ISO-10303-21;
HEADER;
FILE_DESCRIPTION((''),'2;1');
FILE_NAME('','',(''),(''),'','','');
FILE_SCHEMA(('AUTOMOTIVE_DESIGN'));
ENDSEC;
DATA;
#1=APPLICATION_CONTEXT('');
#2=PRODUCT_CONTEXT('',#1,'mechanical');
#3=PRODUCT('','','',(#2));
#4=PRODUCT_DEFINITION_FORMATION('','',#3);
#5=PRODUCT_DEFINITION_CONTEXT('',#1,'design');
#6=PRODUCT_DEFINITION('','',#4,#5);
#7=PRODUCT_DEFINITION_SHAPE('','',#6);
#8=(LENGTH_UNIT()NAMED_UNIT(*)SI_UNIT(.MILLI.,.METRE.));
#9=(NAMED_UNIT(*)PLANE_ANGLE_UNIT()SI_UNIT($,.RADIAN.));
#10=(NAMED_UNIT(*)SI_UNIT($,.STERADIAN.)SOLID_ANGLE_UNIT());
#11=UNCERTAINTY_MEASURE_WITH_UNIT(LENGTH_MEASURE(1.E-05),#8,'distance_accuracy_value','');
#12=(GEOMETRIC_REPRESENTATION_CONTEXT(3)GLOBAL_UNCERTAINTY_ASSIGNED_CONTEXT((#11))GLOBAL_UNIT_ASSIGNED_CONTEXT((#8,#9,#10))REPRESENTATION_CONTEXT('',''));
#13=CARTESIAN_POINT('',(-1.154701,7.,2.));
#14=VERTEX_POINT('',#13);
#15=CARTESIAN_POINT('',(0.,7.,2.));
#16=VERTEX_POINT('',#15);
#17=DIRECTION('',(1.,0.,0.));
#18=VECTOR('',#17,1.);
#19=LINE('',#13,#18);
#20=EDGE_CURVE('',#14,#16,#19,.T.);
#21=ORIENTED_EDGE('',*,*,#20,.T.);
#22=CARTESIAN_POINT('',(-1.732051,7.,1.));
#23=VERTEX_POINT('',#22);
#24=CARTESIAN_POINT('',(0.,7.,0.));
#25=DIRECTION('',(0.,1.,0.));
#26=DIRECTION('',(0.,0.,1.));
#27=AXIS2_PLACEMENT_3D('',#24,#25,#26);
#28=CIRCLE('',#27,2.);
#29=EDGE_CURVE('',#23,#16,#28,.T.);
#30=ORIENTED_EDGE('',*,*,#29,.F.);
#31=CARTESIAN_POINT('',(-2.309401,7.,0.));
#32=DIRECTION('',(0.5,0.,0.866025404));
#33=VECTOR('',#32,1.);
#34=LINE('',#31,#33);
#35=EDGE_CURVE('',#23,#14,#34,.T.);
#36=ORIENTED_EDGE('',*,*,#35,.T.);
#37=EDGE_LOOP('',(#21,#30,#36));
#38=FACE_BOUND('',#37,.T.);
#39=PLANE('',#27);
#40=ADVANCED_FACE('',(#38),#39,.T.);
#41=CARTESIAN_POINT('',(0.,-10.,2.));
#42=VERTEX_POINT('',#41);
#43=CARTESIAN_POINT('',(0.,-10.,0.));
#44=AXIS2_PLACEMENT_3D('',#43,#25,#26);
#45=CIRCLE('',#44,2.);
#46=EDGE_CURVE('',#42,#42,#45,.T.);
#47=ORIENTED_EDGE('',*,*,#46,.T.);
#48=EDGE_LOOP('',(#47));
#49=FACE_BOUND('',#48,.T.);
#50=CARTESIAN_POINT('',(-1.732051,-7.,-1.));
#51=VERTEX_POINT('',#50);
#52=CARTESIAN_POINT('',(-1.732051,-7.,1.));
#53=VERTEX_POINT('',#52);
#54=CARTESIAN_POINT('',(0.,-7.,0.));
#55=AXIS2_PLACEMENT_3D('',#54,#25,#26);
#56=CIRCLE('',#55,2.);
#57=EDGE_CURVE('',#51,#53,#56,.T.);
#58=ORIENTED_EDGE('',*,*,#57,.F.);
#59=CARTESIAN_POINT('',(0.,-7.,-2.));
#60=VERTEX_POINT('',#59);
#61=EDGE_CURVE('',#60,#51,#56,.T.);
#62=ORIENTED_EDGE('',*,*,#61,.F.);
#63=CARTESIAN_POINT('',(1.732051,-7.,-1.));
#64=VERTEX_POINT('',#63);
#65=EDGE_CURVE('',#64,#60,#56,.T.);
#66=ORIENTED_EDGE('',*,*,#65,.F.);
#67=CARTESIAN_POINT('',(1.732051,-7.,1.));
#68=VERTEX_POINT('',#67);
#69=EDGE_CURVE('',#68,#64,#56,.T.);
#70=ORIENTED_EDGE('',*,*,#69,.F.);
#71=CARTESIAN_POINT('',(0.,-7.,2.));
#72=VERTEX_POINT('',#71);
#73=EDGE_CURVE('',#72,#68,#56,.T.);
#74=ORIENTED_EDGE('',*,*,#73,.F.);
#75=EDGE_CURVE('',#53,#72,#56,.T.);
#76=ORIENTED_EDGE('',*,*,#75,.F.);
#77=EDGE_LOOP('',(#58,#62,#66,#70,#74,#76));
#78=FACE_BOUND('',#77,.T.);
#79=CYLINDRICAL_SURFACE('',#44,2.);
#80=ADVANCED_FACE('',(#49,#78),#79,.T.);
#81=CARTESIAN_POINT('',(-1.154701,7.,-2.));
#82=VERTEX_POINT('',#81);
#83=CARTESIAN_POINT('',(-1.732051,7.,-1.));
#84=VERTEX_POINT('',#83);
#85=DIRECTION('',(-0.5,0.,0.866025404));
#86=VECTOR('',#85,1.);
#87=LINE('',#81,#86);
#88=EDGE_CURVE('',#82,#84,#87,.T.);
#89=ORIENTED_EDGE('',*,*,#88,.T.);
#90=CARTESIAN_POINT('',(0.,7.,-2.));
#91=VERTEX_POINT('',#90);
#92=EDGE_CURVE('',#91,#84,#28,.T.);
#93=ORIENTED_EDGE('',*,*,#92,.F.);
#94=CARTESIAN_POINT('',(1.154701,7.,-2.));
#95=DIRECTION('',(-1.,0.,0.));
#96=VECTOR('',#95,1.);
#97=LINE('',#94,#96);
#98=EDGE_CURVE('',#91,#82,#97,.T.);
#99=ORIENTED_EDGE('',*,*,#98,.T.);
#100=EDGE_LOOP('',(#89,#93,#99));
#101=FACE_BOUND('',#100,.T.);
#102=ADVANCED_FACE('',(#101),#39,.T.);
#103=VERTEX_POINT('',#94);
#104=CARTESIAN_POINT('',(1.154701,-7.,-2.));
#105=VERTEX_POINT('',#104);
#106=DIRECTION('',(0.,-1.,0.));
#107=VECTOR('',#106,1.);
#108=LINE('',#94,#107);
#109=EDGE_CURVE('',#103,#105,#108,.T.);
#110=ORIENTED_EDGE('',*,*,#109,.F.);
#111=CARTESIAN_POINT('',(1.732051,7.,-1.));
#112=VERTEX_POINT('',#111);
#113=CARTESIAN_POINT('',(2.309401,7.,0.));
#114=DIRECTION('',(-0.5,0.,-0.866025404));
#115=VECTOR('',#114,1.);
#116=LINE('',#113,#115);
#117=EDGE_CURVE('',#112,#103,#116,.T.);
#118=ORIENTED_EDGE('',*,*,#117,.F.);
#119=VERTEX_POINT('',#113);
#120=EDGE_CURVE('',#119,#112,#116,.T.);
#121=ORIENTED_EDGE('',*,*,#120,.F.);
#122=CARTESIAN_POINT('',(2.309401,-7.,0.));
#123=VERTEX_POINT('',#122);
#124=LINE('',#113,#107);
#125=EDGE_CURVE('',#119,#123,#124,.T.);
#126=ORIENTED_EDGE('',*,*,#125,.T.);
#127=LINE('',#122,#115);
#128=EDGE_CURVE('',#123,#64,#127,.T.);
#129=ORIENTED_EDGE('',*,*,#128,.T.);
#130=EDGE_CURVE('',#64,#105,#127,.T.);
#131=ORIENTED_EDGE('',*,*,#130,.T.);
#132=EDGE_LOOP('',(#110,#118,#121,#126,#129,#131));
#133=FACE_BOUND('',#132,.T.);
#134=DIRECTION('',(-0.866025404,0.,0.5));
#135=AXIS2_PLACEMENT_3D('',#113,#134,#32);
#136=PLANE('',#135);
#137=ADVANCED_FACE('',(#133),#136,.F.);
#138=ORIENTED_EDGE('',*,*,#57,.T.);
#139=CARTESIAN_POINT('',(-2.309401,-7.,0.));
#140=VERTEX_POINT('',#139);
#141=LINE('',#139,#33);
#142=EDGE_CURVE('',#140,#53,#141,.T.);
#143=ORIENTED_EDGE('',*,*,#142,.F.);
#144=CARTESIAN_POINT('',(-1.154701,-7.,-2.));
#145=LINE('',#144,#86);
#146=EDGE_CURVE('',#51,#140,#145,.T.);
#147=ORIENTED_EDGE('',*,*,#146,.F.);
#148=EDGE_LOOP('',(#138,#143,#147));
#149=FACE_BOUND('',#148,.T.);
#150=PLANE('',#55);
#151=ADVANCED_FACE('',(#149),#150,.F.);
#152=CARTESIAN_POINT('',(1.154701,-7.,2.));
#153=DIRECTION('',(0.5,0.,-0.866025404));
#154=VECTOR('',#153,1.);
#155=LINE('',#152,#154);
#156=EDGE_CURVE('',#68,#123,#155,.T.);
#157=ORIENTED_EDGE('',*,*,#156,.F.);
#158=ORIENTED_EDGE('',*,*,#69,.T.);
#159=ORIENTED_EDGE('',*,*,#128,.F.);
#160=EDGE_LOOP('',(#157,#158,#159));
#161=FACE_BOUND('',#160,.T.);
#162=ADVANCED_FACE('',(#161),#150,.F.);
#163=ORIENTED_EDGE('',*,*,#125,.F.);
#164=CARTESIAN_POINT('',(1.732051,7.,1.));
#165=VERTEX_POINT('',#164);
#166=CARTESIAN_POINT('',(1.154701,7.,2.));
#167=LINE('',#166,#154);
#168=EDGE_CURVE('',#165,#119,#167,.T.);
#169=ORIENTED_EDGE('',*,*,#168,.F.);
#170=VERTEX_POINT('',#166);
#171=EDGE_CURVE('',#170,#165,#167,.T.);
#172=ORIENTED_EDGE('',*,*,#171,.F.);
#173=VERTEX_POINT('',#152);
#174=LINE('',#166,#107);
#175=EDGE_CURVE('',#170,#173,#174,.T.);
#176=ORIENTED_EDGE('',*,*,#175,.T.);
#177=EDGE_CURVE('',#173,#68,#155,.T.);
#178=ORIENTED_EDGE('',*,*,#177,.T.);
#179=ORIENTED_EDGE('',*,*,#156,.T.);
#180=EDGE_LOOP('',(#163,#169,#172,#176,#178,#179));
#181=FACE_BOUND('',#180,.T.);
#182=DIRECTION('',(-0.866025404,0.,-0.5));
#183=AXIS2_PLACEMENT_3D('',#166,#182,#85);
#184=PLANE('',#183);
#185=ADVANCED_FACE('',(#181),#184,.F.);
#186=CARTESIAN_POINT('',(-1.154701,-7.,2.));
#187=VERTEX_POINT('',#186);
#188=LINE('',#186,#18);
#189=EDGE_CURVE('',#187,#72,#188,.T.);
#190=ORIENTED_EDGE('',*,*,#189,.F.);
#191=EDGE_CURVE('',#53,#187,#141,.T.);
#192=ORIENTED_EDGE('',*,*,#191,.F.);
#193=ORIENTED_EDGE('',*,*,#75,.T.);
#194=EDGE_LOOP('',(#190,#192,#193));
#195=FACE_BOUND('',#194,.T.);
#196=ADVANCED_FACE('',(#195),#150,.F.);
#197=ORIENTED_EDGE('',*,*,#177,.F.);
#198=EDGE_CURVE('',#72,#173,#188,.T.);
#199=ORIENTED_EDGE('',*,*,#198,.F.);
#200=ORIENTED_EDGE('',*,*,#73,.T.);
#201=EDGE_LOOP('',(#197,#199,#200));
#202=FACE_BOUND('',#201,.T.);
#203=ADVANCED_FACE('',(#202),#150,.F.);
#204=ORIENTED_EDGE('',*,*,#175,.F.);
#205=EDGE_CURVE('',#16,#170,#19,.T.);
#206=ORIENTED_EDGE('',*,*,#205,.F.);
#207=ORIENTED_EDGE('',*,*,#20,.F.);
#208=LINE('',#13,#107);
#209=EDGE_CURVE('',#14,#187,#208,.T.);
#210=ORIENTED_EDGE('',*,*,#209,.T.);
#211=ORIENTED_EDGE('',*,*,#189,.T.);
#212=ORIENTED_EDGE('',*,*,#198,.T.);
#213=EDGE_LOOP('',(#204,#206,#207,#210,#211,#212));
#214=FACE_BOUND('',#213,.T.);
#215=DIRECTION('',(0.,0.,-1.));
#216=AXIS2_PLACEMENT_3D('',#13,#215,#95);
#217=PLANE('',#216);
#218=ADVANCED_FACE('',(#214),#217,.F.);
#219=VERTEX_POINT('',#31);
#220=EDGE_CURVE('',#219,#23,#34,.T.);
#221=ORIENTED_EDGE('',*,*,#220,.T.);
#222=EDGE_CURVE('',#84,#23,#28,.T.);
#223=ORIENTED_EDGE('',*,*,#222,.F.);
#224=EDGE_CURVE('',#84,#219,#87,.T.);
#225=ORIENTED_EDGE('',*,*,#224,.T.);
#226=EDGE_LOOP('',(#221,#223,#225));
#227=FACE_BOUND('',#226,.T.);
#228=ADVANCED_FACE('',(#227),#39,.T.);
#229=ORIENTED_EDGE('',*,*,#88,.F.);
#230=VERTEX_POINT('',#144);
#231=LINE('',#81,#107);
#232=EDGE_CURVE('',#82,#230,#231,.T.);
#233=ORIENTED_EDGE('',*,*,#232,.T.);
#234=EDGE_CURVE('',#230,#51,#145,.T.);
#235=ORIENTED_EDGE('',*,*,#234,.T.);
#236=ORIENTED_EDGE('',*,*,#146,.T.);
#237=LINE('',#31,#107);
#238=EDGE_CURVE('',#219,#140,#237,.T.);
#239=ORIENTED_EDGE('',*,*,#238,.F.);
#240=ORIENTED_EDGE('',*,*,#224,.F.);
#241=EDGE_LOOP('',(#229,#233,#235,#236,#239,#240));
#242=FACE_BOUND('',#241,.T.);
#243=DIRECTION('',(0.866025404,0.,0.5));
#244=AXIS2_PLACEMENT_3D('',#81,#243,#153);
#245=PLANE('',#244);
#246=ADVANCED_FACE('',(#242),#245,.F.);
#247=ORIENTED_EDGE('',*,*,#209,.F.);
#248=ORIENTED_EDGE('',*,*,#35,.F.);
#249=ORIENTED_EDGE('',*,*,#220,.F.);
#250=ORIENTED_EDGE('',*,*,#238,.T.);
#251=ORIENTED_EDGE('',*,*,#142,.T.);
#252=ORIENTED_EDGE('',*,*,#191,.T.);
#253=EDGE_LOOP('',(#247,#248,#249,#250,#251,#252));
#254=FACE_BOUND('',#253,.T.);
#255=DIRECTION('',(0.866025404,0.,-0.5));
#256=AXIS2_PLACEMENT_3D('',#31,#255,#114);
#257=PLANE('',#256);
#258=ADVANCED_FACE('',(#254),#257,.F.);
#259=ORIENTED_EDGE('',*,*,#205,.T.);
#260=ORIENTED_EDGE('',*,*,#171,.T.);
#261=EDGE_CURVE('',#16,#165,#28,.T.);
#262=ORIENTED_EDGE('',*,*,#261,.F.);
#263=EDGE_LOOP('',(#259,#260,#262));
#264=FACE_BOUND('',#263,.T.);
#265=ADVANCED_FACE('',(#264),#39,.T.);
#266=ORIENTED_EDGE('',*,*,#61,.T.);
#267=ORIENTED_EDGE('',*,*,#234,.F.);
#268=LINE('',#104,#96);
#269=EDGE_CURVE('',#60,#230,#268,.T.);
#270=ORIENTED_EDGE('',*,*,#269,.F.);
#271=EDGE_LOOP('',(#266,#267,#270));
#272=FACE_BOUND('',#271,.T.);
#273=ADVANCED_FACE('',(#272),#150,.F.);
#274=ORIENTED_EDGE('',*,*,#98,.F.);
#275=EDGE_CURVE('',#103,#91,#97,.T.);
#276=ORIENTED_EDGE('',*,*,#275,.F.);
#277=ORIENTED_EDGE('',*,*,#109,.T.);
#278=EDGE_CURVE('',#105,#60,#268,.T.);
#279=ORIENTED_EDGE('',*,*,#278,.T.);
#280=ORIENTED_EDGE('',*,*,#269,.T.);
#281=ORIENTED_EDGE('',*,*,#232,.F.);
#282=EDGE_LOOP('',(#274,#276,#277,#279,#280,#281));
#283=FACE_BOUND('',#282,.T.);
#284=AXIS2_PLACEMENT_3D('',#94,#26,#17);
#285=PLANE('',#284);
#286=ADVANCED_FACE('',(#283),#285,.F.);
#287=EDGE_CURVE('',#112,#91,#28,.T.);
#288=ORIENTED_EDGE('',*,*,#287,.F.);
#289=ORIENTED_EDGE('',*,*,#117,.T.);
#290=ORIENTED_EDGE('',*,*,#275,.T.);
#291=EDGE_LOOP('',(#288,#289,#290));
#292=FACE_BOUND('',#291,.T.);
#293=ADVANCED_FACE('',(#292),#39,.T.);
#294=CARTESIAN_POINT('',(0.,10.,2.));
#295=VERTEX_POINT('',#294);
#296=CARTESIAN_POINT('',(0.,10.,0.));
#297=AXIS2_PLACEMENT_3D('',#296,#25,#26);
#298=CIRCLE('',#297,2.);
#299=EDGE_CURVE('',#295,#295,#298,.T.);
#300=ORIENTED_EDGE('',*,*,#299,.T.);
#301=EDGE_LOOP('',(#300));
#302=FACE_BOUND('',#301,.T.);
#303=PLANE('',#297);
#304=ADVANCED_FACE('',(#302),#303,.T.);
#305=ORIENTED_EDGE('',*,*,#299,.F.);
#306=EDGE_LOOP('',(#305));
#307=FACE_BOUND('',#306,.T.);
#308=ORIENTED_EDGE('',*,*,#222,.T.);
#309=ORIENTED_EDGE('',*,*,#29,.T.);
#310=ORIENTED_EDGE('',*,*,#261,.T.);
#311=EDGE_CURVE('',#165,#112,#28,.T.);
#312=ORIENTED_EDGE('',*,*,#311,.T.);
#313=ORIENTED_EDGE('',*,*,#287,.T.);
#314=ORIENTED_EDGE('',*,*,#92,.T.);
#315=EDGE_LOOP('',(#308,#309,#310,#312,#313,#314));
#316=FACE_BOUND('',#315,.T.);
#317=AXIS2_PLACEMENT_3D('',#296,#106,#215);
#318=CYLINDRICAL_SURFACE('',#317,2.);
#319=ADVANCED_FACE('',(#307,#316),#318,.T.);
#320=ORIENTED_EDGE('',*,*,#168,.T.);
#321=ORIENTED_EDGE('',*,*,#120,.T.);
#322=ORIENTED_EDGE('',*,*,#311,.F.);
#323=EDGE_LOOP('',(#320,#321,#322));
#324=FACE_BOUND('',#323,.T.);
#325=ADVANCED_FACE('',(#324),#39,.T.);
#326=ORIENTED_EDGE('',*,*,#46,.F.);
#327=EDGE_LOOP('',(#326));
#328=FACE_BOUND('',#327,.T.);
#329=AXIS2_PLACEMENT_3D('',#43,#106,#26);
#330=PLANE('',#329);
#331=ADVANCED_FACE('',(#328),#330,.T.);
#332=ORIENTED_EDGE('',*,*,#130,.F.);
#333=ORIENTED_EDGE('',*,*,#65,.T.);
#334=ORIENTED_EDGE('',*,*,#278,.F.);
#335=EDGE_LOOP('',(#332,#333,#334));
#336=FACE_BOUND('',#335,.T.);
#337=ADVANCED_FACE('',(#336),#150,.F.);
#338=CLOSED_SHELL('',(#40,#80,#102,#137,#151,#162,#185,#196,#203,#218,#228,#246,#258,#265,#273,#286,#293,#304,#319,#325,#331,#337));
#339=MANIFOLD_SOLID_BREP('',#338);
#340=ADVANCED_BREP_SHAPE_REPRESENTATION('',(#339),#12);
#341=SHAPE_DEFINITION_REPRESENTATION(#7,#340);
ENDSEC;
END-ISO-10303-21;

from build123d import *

# Parameters (mm, degrees)
BOSS_EXTRUDE1_DEPTH = 7
SKETCH2_R           = 2
BOSS_EXTRUDE2_DEPTH = 3


with BuildPart() as part:
    # Sketch1 → Boss-Extrude1 (new, symmetric)
    with BuildSketch(Plane(origin=(0, 0, 0), x_dir=(1, 0, 0), z_dir=(0, 1, 0))):
        Polygon((-1.154700538, 2), (-2.309401077, 0), (-1.154700538, -2), (1.154700538, -2), (2.309401077, 0), (1.154700538, 2), align=None)
    extrude(amount=BOSS_EXTRUDE1_DEPTH, both=True)

    # Sketch2 → Boss-Extrude2 (add)
    with BuildSketch(Plane(origin=(0, 7, 0), x_dir=(1, 0, 0), z_dir=(0, 1, 0))):
        with Locations(Location((0, 0, 0), (0, 0, 270))):
            Circle(SKETCH2_R)
    boss_extrude2 = extrude(amount=BOSS_EXTRUDE2_DEPTH)

    # Mirror1: Boss-Extrude2 across plane
    add(boss_extrude2.mirror(Plane.ZX))


solid = part.part
